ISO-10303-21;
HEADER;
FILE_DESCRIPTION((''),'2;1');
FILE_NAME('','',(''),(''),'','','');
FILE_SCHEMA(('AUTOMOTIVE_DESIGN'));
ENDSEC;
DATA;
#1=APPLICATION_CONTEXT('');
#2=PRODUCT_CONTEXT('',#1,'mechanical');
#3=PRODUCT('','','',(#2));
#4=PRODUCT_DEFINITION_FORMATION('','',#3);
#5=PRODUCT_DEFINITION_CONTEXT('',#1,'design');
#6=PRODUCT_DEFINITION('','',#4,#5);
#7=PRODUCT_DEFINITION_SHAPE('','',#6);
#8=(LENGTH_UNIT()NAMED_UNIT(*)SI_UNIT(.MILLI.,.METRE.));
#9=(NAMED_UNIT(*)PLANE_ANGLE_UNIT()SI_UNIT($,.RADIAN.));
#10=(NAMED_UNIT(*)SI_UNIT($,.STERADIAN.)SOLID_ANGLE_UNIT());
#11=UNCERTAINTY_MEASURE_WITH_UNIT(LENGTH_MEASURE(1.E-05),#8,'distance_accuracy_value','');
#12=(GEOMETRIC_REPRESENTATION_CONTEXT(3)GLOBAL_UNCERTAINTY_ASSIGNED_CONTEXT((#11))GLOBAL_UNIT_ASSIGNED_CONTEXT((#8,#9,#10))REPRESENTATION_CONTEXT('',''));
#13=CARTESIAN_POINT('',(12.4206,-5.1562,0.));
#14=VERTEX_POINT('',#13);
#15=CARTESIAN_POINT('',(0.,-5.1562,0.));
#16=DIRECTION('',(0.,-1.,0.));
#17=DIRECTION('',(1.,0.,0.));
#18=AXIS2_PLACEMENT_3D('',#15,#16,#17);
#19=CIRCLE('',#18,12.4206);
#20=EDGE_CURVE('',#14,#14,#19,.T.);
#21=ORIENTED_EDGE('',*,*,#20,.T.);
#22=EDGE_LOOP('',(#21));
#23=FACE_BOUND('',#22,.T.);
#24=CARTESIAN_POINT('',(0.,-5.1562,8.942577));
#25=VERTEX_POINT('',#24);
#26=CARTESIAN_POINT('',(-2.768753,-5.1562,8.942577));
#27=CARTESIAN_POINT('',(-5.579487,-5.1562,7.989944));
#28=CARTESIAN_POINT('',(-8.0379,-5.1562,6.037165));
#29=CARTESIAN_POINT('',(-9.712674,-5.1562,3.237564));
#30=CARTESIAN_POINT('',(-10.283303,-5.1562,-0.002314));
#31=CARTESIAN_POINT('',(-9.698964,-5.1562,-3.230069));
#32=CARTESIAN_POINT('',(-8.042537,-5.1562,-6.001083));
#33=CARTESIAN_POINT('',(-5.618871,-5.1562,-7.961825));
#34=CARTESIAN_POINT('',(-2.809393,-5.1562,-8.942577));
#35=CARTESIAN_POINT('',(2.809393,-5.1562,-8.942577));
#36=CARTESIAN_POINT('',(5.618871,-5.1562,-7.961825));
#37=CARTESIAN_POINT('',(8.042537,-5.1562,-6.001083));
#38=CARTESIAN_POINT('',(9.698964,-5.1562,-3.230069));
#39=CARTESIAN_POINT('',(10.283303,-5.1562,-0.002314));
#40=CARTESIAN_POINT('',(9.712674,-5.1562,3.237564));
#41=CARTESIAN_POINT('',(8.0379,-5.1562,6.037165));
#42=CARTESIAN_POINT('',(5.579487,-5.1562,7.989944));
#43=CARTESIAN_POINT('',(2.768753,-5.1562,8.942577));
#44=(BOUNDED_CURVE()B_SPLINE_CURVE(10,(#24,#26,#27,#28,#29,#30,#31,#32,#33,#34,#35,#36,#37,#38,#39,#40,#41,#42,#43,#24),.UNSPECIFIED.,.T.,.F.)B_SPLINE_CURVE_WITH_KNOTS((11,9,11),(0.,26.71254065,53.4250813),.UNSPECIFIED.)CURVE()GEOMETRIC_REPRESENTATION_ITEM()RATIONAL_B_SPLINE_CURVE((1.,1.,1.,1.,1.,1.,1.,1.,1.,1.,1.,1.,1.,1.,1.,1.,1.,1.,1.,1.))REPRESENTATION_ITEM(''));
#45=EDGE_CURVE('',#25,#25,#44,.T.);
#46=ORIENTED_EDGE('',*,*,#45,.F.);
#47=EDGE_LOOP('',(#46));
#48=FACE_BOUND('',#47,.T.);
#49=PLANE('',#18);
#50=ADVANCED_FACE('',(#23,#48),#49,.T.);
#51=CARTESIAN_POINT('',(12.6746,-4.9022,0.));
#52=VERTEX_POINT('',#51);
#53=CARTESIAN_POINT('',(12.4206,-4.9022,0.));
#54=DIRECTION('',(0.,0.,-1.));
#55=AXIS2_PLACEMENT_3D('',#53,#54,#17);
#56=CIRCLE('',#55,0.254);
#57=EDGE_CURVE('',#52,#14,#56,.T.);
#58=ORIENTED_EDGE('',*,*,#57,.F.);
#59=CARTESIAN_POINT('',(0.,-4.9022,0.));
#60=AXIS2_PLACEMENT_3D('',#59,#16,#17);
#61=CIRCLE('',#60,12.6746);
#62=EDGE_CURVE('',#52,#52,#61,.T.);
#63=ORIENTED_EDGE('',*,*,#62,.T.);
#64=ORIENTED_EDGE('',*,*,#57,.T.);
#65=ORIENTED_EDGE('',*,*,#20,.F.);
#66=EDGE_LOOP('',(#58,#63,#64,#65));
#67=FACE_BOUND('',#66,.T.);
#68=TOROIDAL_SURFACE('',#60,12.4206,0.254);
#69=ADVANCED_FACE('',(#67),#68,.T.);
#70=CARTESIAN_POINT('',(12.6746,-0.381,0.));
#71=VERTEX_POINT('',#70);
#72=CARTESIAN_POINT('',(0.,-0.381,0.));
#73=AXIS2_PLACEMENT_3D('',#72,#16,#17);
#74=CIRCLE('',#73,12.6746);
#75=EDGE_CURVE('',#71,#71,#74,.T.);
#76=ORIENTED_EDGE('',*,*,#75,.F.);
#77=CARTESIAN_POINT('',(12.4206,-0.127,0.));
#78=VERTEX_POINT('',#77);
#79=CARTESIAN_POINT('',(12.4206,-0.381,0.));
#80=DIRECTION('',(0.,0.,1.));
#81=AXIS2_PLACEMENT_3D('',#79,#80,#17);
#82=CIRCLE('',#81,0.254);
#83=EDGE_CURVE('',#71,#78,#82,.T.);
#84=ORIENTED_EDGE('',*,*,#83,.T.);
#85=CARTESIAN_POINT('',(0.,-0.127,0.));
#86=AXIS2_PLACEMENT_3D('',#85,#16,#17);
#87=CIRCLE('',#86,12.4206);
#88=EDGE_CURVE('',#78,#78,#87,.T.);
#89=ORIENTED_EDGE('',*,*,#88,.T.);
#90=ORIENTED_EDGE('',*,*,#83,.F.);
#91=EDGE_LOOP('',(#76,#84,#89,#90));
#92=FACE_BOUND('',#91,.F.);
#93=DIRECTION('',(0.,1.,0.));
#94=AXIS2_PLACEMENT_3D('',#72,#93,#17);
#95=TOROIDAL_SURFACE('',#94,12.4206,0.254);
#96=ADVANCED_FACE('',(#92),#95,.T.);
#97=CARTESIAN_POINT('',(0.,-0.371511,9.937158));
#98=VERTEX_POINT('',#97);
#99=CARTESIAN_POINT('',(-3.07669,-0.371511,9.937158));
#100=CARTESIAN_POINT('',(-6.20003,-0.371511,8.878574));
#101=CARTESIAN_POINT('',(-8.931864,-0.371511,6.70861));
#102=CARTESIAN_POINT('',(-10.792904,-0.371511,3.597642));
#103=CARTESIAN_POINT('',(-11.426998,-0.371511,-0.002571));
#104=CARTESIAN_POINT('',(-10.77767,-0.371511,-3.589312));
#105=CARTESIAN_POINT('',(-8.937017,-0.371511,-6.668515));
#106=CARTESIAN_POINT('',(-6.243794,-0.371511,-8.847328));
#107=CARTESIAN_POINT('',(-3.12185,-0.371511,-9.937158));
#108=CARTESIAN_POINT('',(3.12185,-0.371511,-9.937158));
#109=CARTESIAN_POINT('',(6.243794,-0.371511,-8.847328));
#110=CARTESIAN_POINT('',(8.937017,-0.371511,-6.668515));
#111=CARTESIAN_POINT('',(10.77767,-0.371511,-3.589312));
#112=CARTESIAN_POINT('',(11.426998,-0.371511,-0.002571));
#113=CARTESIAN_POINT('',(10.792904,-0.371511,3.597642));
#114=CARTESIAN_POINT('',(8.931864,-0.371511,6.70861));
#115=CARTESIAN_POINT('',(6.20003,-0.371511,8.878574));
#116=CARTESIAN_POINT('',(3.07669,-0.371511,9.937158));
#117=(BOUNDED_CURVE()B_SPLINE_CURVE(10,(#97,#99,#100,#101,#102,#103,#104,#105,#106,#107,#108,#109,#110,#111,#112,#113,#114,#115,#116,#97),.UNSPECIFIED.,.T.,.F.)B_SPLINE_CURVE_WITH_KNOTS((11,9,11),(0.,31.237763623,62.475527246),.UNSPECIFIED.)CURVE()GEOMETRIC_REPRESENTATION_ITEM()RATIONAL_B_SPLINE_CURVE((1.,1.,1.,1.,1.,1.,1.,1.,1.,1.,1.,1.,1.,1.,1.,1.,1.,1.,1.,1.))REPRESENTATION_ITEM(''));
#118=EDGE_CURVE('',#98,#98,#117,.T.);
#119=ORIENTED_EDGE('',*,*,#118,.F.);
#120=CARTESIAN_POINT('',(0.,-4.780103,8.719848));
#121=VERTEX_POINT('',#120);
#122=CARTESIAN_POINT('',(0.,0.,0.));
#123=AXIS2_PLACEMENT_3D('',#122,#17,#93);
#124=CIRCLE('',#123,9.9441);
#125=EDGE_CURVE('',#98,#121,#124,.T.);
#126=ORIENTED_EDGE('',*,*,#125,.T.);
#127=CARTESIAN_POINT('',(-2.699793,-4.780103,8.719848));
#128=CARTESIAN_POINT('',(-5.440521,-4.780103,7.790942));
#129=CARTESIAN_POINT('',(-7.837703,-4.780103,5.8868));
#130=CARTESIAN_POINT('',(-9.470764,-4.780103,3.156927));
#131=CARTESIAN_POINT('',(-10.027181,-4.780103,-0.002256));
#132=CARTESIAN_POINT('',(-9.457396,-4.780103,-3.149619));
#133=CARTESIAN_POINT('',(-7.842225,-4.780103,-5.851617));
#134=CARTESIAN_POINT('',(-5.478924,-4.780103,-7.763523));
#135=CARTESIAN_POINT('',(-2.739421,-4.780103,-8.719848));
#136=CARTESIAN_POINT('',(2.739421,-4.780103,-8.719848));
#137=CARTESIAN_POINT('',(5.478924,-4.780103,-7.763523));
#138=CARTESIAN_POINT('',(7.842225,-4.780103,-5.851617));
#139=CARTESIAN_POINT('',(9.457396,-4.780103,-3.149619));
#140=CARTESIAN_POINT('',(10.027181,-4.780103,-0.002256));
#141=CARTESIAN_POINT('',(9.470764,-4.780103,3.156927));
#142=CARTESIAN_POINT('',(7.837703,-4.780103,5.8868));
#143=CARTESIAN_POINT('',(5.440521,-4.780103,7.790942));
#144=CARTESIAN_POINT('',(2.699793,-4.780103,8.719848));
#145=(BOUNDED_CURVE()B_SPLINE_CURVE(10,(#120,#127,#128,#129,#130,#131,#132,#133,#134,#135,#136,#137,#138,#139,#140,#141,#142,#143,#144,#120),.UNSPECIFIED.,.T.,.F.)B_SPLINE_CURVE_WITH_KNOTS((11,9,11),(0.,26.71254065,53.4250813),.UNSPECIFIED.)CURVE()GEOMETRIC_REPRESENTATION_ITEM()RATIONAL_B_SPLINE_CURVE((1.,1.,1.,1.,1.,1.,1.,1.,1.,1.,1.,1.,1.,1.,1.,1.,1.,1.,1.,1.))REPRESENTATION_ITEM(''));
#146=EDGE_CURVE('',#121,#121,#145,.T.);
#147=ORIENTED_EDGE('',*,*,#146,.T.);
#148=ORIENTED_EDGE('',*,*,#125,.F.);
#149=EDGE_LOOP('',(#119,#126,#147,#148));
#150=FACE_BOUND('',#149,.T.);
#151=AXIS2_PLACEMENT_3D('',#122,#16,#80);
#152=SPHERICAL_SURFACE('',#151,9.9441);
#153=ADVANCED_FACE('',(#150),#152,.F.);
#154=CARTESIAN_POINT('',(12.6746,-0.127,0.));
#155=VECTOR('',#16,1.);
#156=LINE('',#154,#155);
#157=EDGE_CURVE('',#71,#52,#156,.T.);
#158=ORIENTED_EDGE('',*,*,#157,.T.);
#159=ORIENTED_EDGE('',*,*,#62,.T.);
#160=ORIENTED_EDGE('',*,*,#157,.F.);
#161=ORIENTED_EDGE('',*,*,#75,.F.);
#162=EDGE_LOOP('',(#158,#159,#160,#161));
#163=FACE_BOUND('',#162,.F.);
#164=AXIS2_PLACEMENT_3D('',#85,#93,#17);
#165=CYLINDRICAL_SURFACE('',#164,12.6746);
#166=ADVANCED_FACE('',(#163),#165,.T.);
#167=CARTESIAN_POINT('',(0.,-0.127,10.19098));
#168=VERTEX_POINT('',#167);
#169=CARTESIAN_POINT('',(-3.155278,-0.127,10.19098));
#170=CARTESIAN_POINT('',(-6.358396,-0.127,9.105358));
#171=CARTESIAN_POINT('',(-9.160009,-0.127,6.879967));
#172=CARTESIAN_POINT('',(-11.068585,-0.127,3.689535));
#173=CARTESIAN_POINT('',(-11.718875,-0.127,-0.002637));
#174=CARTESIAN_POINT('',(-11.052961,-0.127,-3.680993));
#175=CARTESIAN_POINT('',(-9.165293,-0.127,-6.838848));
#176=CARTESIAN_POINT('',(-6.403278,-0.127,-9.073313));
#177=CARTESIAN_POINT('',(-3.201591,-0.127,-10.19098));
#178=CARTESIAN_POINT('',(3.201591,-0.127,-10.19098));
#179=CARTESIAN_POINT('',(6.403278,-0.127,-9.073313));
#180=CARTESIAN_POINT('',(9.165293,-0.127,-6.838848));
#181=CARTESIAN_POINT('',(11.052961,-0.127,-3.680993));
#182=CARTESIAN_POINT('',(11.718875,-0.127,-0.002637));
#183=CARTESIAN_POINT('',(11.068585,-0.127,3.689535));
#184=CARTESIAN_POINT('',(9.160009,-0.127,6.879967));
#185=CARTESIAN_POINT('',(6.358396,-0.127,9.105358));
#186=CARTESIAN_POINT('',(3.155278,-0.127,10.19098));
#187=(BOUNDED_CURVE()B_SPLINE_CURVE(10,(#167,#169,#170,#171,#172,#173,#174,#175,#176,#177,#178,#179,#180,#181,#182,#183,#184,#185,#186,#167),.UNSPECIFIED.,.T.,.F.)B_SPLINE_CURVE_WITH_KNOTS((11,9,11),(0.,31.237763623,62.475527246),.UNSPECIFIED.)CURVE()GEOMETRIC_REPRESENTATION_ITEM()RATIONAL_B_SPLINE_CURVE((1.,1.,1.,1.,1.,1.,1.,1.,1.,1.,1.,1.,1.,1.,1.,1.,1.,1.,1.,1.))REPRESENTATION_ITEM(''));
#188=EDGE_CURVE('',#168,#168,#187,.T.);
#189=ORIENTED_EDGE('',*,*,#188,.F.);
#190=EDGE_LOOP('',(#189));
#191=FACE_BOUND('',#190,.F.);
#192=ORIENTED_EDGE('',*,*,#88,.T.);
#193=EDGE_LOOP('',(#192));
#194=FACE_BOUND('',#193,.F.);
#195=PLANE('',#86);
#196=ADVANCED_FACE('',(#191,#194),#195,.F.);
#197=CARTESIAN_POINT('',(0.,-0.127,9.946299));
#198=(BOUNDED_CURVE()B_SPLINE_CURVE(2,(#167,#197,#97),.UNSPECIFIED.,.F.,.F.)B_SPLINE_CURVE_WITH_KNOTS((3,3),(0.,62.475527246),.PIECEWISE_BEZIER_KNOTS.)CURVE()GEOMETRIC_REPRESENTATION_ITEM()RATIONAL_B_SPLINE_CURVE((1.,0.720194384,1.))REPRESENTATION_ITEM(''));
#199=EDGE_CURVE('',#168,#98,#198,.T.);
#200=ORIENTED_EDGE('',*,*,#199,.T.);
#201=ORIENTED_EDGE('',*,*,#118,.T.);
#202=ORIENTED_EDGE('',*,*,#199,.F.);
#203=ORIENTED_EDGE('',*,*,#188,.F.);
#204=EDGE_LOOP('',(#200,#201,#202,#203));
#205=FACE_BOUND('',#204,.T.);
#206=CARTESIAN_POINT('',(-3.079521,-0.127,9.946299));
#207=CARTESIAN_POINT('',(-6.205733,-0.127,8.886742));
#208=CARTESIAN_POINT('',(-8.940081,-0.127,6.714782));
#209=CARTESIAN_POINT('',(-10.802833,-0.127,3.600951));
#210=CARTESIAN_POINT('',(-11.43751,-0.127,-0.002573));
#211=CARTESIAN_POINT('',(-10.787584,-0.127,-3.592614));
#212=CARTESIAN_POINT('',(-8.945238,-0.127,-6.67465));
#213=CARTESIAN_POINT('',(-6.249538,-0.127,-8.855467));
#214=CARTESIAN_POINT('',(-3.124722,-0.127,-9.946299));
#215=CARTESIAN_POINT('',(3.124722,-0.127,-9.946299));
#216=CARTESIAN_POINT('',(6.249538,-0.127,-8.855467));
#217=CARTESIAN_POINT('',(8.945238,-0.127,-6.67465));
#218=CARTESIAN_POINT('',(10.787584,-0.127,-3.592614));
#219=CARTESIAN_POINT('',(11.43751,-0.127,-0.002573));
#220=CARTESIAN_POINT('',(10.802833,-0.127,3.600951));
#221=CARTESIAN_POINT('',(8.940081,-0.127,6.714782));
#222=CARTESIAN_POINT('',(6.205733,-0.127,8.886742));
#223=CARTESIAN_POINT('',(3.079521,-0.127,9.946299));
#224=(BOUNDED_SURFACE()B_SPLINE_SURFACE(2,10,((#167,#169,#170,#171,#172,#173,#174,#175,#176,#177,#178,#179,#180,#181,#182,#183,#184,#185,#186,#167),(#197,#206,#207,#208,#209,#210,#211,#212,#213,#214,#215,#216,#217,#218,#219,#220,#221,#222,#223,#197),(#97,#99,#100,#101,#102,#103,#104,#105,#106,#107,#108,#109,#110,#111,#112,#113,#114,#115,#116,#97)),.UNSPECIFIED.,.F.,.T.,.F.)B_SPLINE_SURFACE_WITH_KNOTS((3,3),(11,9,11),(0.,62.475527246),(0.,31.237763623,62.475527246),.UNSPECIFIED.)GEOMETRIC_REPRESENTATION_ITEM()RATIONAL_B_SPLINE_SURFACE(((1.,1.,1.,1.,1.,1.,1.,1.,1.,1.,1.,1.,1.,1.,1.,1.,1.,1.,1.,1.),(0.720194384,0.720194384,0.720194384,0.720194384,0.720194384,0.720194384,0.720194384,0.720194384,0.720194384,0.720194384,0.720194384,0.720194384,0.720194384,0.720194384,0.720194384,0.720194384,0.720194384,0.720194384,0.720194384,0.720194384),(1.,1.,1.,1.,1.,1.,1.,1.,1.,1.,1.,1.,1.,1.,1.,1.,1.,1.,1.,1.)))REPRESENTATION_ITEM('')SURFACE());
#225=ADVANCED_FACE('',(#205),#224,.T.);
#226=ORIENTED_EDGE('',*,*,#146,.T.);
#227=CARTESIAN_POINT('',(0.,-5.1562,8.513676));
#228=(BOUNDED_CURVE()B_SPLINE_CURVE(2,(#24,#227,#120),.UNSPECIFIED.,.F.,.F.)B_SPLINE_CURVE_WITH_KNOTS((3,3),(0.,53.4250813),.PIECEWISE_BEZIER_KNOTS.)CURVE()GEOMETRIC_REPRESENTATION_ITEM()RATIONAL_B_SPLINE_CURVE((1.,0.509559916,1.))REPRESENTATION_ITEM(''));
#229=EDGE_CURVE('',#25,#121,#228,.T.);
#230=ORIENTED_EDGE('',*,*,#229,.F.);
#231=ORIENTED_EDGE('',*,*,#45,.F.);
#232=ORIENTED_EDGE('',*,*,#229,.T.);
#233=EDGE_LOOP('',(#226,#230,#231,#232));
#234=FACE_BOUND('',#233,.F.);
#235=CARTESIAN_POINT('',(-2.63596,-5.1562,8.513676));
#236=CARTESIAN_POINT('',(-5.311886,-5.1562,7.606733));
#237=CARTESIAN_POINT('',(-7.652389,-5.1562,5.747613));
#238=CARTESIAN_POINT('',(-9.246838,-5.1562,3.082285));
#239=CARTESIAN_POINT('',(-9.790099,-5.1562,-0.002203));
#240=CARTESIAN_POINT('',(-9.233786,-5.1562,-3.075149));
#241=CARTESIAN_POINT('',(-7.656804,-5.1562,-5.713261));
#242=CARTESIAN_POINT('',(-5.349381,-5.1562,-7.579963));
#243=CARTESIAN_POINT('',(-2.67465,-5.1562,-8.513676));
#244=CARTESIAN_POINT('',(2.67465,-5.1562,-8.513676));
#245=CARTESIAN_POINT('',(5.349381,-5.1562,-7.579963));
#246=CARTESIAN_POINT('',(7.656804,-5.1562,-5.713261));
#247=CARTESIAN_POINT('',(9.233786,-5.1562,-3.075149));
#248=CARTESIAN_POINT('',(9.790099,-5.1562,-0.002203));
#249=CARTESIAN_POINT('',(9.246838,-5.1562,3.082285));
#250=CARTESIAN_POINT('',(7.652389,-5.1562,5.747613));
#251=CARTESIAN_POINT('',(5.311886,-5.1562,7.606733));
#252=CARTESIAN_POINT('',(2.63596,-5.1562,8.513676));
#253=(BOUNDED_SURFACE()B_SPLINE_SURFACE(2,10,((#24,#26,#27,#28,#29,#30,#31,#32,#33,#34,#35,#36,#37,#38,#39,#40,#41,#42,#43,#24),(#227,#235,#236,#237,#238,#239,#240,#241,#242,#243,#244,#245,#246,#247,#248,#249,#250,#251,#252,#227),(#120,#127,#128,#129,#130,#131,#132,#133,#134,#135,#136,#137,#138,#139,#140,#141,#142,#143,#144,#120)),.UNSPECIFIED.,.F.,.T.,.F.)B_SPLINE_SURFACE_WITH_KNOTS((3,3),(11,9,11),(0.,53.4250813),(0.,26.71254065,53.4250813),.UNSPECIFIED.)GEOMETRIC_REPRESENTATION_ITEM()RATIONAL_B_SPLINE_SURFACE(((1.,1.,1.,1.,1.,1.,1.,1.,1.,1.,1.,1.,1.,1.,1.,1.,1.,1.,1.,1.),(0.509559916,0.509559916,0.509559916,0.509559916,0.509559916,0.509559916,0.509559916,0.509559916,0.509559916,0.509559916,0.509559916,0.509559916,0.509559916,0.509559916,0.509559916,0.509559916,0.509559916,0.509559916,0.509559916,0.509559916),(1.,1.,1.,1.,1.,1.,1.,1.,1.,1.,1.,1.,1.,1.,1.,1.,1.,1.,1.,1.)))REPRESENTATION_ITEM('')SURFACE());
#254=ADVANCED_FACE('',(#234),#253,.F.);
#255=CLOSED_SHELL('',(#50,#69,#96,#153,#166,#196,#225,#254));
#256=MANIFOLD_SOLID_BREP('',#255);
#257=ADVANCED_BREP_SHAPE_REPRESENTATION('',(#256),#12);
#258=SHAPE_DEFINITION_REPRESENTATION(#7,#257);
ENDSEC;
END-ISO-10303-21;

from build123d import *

# Parameters (mm, degrees)
F1_R     = 12.6746
F2_DEPTH = 5.0292
F5_R     = 0.254


with BuildPart() as f2:
    # F1 (on offset) → F2 (new body)
    with BuildSketch(Plane.XZ.offset(0.127)):
        Circle(F1_R)
    extrude(amount=F2_DEPTH)

    # F3 (on Right) → F4 (revolve, cut)
    with BuildSketch(Plane.YZ):
        with BuildLine():
            Line((-9.9441, 0), (0, 0))
            Line((0, 0), (9.9441, 0))
            ThreePointArc((9.9441, 0), (0, 9.9441), (-9.9441, 0))
        make_face()
    revolve(axis=Axis((0, 4.97205, 0), (0, 1, 0)), mode=Mode.SUBTRACT)

    # F5
    f5_edges = [f2.edges().sort_by_distance(p)[0] for p in [
        (0, -5.1562, -8.502866),
        (-12.6746, -5.1562, 0),
        (-12.6746, -0.127, 0),
        (0, -0.127, -9.943289),
    ]]
    fillet(f5_edges, radius=F5_R)


solid = f2.part
